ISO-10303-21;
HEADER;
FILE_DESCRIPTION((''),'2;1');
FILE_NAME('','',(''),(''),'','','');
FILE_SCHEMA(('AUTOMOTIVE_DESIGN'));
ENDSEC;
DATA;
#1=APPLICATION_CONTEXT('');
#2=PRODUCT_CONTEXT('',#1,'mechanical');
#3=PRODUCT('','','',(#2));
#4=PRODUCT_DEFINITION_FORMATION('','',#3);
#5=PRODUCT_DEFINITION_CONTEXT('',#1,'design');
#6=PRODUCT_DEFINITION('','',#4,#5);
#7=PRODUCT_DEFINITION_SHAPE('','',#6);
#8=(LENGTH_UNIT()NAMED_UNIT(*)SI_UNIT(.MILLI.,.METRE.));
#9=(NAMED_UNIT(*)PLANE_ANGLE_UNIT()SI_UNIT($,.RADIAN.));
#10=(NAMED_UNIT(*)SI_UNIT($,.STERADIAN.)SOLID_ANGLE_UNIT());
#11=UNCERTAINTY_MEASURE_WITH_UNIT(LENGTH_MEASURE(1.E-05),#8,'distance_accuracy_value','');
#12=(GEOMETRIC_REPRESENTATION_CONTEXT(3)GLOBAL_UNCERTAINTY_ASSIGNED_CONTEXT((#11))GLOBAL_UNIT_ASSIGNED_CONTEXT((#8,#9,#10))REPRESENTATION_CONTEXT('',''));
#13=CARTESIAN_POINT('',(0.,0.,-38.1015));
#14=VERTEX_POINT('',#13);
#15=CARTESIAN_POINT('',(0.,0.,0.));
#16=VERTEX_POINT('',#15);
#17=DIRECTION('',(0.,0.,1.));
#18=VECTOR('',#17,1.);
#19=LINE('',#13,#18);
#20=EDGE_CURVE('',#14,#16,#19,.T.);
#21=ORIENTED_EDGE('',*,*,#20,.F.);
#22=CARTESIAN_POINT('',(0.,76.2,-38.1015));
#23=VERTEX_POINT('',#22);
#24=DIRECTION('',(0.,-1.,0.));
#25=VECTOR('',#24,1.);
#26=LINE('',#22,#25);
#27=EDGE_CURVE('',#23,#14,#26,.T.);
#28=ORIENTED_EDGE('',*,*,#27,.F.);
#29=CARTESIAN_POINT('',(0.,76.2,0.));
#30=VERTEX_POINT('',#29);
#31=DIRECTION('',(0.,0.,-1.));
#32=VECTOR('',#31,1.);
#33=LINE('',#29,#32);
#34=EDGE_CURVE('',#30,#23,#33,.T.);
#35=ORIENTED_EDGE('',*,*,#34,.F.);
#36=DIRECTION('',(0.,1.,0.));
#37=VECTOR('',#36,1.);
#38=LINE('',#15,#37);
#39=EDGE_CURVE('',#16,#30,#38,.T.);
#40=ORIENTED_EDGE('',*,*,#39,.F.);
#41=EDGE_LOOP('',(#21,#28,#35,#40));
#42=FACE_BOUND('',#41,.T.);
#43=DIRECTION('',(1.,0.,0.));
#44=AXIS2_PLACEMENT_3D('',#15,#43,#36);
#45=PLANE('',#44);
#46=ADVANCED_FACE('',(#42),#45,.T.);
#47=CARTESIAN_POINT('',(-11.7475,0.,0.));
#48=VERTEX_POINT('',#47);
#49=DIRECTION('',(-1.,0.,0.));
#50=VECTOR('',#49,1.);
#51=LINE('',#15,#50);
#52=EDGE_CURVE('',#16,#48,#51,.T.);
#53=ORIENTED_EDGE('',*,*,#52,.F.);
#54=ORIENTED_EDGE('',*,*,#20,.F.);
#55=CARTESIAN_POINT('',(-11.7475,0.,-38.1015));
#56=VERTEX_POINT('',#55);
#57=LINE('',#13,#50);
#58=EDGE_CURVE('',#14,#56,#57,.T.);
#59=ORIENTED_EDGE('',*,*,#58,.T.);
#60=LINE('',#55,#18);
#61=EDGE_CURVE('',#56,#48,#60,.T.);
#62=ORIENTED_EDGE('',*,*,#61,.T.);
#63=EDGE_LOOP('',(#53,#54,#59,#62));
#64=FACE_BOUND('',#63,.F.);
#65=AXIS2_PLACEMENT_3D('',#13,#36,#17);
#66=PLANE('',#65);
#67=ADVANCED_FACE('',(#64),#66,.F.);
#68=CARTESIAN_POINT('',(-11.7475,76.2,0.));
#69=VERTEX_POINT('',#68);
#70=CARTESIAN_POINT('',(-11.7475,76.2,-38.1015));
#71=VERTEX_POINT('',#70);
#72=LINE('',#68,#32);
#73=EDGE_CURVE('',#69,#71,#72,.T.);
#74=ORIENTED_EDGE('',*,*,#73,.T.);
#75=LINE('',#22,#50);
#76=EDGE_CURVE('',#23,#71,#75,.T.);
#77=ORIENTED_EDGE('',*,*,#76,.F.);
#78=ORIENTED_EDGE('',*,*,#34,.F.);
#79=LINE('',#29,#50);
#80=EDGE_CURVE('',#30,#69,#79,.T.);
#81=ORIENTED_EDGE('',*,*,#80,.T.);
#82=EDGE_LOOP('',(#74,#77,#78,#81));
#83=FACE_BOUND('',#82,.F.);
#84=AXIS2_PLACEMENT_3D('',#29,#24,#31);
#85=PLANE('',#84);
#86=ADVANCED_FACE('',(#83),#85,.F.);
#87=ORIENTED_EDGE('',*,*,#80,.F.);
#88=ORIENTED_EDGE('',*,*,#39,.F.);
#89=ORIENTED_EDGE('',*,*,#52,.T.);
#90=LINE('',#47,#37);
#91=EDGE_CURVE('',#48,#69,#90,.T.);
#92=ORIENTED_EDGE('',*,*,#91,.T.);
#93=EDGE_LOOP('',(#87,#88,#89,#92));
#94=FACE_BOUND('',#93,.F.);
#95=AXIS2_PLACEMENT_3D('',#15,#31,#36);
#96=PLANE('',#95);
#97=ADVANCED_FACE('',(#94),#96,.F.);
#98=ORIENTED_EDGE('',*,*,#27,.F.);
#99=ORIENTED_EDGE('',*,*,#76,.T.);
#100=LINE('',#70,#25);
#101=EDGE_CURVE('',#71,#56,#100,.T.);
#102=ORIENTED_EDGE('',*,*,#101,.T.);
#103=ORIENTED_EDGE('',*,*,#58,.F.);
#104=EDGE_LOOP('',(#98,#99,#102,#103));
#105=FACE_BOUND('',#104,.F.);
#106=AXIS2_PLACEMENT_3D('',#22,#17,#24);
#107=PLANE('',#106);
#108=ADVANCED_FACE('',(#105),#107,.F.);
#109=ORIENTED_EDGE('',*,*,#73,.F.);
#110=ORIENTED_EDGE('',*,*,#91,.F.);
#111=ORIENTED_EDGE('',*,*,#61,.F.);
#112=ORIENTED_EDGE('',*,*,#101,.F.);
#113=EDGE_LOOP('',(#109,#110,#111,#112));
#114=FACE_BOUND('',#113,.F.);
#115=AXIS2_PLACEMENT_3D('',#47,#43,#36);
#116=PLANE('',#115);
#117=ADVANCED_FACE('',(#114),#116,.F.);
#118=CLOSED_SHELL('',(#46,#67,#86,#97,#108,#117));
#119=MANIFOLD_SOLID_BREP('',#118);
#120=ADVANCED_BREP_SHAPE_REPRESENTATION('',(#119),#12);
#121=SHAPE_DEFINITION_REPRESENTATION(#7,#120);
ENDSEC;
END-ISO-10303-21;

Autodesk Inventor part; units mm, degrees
ref_plane "YZ Plane" through (0, 0, 0) normal (1, 0, 0) x (0, 1, 0)
ref_plane "XZ Plane" through (0, 0, 0) normal (0, 1, 0) x (-1, 0, 0)
ref_plane "XY Plane" through (0, 0, 0) normal (0, 0, 1) x (1, 0, 0)
sketch "Sketch1" plane through (0, 0, 0) normal (1, 0, 0) x (0, 1, 0)
  line L0 (0, 0) -> (76.2, 0)
  line L1 (76.2, 0) -> (76.2, -38.1015)
  line L2 (76.2, -38.1015) -> (0, -38.1015)
  line L3 (0, -38.1015) -> (0, 0)
  dimension "d0" = 76.2
extrude "Extrusion1" add sketch "Sketch1" against normal blind 11.7475
